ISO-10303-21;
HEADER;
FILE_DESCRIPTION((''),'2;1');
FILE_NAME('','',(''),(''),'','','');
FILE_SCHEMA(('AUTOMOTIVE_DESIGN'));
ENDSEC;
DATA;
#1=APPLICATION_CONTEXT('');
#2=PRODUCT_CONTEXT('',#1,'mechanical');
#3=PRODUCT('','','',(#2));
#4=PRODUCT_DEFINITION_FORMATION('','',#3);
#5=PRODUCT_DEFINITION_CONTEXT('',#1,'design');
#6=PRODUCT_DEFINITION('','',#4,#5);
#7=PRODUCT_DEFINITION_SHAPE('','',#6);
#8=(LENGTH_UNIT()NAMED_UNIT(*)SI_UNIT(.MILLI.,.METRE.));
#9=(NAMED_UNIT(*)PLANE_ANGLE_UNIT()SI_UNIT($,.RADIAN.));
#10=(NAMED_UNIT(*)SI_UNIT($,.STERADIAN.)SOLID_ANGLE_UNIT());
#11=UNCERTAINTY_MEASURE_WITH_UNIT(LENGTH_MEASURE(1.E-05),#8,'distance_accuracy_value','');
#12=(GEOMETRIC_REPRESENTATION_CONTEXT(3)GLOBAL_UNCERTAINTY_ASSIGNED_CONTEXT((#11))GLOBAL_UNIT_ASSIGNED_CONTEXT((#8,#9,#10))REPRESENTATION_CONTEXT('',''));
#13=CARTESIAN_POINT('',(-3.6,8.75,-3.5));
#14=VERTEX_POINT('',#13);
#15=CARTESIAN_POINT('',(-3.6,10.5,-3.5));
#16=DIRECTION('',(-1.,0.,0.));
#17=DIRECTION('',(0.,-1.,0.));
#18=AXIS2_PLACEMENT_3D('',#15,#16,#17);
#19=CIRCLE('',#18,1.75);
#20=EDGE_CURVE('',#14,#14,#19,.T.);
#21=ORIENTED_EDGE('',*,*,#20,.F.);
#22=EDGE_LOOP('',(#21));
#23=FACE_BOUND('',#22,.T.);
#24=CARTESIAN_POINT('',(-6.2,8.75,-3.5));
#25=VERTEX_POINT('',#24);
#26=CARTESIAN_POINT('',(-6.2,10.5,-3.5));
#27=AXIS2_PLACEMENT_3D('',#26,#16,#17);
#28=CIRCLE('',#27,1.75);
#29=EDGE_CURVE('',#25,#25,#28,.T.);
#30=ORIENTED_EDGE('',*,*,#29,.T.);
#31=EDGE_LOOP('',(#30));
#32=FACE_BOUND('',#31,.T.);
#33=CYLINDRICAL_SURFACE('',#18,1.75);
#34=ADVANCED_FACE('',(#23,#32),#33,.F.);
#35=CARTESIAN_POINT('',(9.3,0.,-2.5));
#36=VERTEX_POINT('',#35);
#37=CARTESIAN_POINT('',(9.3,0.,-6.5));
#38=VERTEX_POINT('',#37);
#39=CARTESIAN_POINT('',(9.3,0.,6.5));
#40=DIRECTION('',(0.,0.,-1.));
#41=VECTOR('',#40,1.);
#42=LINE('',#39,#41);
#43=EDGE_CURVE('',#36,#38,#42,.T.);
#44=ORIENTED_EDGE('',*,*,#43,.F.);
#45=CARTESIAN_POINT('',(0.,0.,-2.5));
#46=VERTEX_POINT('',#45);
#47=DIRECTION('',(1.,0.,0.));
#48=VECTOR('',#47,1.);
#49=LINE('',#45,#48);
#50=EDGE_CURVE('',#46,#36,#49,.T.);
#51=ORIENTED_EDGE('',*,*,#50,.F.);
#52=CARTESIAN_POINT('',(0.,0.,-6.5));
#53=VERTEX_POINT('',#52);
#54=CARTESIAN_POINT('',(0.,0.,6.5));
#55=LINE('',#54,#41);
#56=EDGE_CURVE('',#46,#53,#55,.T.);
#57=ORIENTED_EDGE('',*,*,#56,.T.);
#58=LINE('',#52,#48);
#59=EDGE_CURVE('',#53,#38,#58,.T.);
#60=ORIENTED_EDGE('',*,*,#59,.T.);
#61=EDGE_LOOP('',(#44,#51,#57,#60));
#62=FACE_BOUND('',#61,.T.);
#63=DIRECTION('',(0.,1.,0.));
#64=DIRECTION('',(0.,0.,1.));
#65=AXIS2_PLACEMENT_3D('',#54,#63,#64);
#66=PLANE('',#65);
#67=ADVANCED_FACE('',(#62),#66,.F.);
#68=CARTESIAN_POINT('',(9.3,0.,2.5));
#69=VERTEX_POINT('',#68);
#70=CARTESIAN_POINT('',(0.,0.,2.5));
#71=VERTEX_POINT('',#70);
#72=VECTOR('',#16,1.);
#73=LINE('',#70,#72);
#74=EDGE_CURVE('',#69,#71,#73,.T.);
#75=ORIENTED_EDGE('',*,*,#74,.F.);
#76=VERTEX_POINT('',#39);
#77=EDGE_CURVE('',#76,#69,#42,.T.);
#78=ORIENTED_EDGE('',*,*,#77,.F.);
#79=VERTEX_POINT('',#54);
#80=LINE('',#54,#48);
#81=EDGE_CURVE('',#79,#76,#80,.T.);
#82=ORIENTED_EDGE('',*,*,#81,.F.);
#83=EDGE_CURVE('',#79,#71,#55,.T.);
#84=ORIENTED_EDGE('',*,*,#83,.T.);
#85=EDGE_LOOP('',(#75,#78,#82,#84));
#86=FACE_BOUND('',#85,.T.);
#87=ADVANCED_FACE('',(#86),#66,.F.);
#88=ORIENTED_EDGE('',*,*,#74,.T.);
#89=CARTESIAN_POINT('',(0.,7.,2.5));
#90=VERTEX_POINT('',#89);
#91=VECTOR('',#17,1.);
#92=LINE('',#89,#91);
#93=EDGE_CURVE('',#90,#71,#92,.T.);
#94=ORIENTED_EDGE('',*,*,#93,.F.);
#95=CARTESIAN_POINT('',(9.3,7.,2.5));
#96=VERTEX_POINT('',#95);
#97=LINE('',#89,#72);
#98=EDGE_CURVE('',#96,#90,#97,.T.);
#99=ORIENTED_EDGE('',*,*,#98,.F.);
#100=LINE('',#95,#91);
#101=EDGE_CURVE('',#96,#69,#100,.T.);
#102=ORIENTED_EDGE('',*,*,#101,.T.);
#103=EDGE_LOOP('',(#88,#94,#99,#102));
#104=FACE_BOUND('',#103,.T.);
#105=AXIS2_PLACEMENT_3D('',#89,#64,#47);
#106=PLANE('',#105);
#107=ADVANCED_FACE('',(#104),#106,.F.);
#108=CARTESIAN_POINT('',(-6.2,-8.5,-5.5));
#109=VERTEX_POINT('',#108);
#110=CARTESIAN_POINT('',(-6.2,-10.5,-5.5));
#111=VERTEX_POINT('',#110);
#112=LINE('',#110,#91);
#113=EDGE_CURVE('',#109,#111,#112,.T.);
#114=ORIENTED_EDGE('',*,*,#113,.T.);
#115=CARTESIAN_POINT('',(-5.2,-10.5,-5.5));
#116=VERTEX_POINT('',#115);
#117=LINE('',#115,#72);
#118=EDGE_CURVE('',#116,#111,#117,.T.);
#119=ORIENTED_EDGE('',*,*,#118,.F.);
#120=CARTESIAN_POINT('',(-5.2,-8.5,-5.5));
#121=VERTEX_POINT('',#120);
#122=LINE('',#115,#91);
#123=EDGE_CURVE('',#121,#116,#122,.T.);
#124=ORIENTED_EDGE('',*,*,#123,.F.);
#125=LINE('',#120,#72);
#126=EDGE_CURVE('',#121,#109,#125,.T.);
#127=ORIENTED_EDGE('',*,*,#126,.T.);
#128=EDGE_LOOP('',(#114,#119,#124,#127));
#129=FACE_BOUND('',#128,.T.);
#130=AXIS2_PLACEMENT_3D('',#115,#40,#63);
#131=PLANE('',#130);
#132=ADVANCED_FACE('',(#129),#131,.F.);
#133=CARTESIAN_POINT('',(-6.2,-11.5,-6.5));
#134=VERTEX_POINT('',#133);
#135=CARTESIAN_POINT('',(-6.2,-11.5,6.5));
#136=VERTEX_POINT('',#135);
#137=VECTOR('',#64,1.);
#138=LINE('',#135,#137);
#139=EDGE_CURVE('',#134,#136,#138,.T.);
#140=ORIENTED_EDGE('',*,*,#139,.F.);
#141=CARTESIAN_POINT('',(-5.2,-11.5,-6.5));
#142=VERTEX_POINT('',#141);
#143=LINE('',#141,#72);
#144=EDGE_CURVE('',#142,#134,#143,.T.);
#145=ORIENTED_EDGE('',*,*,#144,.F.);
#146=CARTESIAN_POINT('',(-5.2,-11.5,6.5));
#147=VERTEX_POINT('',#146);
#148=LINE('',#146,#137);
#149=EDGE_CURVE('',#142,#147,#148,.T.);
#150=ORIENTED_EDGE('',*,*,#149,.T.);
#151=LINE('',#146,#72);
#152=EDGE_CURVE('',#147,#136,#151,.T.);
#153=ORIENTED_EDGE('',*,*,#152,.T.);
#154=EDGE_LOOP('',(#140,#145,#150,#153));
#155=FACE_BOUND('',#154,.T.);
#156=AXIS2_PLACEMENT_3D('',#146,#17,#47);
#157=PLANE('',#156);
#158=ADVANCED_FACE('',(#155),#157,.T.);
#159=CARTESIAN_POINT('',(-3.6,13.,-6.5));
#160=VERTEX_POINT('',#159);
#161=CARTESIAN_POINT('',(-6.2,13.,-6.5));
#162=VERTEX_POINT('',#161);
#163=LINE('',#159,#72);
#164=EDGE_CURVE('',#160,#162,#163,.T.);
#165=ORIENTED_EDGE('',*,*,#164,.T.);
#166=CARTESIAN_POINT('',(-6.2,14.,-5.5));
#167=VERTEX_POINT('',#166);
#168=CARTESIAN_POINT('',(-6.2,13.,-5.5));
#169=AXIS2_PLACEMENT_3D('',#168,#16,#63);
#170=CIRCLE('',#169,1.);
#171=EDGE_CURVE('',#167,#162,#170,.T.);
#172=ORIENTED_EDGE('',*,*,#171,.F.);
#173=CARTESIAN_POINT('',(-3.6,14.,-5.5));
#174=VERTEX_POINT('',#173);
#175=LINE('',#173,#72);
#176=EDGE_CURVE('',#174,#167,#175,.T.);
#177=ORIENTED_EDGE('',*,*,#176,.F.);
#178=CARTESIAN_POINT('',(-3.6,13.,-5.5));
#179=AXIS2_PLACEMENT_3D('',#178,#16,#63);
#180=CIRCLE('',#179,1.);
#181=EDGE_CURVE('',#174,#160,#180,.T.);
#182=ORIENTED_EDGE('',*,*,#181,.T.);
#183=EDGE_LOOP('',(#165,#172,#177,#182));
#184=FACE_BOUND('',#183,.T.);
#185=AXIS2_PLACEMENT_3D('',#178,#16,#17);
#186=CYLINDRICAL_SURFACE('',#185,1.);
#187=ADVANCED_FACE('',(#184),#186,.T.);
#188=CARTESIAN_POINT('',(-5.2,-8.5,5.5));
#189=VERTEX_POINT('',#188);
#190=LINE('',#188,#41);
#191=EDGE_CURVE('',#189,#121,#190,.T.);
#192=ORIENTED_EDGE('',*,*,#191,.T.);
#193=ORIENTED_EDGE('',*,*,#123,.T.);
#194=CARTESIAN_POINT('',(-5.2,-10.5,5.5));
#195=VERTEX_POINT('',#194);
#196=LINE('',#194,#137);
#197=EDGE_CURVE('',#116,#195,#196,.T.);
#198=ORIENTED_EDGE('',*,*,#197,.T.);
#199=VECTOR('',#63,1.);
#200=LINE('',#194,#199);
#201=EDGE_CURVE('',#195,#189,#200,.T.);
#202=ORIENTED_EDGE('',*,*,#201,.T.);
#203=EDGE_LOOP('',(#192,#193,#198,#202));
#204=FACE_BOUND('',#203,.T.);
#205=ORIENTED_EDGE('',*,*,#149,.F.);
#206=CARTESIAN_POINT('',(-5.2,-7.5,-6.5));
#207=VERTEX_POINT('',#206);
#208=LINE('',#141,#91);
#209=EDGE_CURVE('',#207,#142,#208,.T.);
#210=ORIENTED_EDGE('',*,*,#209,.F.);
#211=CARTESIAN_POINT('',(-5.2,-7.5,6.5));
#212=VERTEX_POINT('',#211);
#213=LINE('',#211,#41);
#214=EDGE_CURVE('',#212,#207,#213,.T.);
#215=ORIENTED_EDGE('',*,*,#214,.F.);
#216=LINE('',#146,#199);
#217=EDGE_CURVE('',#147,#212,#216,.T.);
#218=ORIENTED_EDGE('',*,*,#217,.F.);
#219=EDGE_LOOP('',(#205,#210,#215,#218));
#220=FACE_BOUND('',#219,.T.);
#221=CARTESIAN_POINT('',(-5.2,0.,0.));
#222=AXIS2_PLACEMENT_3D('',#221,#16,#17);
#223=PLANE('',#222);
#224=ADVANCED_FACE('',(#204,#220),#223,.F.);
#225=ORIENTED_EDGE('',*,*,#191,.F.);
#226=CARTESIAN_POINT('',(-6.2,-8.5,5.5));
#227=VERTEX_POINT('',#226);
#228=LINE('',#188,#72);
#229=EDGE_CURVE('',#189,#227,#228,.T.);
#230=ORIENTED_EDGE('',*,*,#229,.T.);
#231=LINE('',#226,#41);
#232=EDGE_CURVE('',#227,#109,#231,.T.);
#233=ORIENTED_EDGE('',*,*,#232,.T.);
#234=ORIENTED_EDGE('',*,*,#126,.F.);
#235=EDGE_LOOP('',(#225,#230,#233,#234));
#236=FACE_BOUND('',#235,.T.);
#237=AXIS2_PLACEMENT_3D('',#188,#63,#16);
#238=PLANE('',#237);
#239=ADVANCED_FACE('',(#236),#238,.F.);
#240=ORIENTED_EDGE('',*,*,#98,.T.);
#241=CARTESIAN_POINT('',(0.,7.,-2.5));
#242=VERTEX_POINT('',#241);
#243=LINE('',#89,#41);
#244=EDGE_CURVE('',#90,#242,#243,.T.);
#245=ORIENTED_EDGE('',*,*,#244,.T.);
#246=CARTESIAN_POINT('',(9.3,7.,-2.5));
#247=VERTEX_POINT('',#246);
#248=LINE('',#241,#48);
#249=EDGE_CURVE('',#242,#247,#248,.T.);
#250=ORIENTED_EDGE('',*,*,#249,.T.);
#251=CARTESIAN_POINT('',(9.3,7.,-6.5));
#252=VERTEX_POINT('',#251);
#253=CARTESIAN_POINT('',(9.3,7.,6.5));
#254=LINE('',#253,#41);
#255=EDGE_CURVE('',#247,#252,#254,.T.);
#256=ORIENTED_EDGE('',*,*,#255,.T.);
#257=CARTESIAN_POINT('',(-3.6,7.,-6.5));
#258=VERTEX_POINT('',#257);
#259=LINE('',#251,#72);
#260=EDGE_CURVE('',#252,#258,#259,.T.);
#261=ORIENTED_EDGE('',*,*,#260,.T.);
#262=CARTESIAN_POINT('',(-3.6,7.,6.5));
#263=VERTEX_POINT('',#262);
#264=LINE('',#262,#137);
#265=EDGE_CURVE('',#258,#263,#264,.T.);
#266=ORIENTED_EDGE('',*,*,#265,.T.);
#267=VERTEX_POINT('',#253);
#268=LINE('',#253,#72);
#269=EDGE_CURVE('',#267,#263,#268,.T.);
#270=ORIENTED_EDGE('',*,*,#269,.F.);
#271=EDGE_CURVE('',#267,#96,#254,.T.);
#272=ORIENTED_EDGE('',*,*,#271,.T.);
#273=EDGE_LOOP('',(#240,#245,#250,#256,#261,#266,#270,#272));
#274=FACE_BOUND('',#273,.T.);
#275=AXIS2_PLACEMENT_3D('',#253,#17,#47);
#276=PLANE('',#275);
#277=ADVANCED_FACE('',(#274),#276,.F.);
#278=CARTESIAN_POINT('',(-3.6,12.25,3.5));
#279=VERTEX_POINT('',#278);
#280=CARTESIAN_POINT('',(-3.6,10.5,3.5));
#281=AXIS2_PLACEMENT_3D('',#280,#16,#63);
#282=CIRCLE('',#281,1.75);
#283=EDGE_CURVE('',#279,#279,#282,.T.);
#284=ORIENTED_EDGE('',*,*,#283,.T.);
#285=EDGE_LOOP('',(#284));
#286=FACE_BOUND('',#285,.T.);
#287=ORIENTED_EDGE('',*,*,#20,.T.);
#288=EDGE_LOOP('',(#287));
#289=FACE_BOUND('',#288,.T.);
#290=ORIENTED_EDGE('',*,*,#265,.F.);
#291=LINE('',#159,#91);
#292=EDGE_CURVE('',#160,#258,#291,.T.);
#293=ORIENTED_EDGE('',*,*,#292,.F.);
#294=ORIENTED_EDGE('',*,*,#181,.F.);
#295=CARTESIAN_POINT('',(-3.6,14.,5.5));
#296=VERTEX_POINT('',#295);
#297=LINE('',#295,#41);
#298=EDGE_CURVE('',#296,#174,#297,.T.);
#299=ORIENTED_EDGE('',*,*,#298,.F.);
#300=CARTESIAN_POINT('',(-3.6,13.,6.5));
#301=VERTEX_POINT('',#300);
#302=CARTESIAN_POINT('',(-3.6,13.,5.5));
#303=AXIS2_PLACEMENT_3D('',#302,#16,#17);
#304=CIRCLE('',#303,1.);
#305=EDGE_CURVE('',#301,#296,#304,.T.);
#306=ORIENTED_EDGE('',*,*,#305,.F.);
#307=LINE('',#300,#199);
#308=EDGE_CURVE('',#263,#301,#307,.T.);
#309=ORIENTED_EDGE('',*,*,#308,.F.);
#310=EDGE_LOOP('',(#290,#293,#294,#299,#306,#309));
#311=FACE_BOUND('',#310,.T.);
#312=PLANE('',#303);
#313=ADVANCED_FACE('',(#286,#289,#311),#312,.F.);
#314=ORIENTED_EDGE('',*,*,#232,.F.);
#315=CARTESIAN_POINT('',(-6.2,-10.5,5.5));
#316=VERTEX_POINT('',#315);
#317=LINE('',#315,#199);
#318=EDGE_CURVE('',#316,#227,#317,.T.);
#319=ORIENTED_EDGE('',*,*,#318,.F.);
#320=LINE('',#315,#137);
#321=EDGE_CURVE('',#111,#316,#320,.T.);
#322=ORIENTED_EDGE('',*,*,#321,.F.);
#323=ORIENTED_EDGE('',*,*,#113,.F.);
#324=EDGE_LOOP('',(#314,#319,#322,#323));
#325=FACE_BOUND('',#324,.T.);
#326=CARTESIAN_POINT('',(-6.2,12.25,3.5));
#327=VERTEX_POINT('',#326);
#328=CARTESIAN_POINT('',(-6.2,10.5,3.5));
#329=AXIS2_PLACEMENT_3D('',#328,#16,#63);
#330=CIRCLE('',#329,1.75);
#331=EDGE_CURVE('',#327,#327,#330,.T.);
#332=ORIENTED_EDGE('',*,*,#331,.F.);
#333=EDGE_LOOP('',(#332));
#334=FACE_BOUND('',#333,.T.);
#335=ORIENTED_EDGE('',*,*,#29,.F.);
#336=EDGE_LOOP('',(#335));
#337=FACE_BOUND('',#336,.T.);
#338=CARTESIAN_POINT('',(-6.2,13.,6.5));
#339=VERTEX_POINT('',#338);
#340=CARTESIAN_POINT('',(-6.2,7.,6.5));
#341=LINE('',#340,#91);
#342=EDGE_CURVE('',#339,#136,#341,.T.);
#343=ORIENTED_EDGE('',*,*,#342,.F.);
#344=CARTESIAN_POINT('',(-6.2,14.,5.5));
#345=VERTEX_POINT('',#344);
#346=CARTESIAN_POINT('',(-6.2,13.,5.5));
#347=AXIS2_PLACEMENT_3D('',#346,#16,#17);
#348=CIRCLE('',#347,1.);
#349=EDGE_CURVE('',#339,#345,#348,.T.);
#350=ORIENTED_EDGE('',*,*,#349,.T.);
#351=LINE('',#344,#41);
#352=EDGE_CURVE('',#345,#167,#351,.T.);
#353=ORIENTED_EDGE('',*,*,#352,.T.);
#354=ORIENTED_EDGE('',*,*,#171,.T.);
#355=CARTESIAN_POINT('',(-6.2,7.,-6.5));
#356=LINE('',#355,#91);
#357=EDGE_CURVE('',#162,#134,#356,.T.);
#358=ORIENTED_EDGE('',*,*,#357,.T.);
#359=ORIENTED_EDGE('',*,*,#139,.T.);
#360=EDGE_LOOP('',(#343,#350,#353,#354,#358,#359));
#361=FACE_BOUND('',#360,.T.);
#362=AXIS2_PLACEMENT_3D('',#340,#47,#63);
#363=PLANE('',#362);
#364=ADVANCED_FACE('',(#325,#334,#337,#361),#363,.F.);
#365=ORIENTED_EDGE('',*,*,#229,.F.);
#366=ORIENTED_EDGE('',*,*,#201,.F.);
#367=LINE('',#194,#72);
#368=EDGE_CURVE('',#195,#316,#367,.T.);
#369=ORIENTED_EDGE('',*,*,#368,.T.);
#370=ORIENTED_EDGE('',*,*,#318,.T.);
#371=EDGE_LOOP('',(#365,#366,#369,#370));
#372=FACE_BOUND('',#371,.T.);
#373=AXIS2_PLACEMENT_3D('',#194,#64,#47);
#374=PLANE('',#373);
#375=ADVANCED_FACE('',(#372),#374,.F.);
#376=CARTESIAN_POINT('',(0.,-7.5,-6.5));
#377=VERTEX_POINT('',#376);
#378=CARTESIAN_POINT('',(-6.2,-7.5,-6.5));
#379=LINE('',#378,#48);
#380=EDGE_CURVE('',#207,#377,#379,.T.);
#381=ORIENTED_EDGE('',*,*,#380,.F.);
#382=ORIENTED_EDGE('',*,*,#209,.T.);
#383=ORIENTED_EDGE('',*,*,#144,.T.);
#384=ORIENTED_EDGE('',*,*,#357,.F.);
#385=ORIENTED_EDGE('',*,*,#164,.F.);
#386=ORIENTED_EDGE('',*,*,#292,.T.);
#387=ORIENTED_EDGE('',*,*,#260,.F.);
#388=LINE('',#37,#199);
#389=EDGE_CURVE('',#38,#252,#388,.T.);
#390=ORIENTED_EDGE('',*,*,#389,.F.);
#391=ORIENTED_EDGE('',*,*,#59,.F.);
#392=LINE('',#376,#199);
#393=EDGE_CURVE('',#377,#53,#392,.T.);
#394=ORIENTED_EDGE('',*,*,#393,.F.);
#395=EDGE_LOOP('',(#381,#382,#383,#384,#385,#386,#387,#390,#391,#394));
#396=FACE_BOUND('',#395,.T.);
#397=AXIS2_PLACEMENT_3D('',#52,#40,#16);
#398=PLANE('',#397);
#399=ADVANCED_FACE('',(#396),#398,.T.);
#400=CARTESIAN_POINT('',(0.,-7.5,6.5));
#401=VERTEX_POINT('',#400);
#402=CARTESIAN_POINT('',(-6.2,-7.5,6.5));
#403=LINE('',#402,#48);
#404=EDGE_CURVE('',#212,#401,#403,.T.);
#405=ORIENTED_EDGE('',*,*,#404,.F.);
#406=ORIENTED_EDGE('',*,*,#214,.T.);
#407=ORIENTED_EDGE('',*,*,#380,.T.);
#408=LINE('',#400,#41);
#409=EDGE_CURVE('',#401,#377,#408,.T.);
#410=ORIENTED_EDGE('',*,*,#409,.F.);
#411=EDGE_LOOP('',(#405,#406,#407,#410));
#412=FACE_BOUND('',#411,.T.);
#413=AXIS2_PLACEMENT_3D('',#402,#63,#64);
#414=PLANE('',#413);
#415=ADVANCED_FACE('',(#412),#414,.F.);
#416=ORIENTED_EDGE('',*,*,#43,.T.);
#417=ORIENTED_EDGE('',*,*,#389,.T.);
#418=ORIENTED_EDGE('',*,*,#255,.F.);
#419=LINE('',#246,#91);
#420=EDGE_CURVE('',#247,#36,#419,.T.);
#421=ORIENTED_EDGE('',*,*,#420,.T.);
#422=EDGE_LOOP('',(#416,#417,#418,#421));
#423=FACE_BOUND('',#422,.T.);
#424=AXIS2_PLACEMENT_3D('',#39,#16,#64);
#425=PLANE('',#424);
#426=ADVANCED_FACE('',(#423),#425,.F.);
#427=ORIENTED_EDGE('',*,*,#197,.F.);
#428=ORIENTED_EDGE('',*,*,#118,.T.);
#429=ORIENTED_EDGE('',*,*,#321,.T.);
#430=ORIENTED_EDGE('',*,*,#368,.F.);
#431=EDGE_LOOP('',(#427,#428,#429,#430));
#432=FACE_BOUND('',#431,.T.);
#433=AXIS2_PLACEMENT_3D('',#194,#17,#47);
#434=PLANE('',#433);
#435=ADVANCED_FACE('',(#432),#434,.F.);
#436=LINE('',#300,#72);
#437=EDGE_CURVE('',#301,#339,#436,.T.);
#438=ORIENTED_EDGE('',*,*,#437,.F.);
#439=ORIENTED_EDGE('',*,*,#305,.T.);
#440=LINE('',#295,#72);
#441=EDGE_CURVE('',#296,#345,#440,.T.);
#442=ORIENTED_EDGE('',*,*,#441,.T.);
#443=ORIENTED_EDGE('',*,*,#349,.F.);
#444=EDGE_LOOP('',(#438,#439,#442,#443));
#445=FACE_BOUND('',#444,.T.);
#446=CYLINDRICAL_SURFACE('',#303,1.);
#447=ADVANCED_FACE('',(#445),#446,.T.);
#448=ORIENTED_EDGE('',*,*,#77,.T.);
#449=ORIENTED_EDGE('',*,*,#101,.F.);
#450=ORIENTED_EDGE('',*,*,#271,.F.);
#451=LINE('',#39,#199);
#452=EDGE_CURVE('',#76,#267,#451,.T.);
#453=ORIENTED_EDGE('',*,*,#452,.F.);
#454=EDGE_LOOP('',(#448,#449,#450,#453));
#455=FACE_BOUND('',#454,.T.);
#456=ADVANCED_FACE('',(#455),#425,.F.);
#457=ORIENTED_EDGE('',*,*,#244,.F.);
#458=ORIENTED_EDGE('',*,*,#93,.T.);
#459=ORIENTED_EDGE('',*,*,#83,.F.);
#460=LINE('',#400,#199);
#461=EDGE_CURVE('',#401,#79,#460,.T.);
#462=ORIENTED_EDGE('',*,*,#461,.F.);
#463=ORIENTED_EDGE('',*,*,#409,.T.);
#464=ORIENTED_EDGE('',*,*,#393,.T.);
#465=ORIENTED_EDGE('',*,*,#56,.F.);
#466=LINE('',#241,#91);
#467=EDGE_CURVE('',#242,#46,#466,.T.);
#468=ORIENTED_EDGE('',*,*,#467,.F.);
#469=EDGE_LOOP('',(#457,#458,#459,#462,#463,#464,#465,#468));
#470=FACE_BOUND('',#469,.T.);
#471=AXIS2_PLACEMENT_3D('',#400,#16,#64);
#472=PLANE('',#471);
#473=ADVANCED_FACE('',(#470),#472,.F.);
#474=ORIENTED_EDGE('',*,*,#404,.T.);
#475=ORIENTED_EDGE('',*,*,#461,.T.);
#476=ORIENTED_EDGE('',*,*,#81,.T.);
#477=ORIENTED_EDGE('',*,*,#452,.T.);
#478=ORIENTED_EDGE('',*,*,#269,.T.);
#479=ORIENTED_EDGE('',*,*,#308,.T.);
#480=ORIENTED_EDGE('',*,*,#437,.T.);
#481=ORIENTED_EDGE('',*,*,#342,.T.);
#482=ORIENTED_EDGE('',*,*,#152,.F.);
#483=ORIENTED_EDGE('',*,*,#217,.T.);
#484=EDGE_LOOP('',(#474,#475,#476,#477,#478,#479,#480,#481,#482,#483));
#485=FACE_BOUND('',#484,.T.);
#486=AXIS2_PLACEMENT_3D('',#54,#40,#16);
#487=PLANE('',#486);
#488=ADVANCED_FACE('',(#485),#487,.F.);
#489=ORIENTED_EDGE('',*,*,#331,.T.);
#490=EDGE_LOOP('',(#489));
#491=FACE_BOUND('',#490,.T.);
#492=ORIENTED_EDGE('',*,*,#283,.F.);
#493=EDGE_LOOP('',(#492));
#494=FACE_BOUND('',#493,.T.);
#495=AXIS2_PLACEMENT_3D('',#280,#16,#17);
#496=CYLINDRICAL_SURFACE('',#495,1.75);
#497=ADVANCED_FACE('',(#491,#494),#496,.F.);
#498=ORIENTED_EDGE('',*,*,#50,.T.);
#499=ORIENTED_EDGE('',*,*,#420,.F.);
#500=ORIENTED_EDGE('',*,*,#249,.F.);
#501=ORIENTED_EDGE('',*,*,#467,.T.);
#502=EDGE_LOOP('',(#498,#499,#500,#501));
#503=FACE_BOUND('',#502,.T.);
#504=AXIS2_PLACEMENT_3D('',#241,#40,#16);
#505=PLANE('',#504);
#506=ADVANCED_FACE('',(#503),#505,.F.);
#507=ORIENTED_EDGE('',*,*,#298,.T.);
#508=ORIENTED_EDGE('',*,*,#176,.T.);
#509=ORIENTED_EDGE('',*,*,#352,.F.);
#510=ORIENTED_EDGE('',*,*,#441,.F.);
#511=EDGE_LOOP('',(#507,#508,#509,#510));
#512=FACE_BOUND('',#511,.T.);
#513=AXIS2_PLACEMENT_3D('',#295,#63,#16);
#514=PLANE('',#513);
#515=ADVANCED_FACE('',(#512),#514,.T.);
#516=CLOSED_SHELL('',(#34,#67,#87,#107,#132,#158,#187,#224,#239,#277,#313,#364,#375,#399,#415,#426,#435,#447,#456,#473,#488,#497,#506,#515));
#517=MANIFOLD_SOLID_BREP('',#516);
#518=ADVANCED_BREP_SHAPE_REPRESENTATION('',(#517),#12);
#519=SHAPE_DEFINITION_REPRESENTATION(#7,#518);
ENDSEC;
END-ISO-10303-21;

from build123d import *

# Parameters (mm, degrees)
EXTRUDE_1_DEPTH     = 6.5
SKETCH_2_W          = 9.3
SKETCH_2_H          = 5
CUT_EXTRUDE_1_DEPTH = 14.601102896
SKETCH_3_R          = 1.75
EXTRUDE_2_DEPTH     = 2.6
SKETCH_4_W          = 13
SKETCH_4_H          = 4
SKETCH_4_W_2        = 11
SKETCH_4_H_2        = 2
EXTRUDE_3_DEPTH     = 1


with BuildPart() as part:
    # 草图1 → 凸台-拉伸1 (new, symmetric)
    with BuildSketch(Plane.XY):
        Polygon((0, 0), (9.3, 0), (9.3, 7), (-6.2, 7), (-6.2, -7.5), (0, -7.5), align=None)
    extrude(amount=EXTRUDE_1_DEPTH, both=True)

    # 草图2 → 切除-拉伸1 (cut, through all)
    with BuildSketch(Plane.XZ):
        with Locations((4.65, 0)):
            Rectangle(SKETCH_2_W, SKETCH_2_H)
    extrude(amount=-CUT_EXTRUDE_1_DEPTH, mode=Mode.SUBTRACT)

    # 草图3 → 凸台-拉伸2 (add)
    with BuildSketch(Plane.ZY.offset(6.2)):
        with BuildLine():
            Line((5.5, 14), (-5.5, 14))
            ThreePointArc((-5.5, 14), (-6.207106781, 13.707106781), (-6.5, 13))
            Line((-6.5, 13), (-6.5, 7))
            Line((-6.5, 7), (6.5, 7))
            Line((6.5, 7), (6.5, 13))
            ThreePointArc((6.5, 13), (6.207106781, 13.707106781), (5.5, 14))
        make_face()
        with Locations(Location((-3.5, 10.5, 0), (0, 0, 270))):
            Circle(SKETCH_3_R, mode=Mode.SUBTRACT)
        with Locations(Location((3.5, 10.5, 0), (0, 0, 90))):
            Circle(SKETCH_3_R, mode=Mode.SUBTRACT)
    extrude(amount=-EXTRUDE_2_DEPTH)

    # 草图4 → 凸台-拉伸3 (add)
    with BuildSketch(Plane.ZY.offset(6.2)):
        with Locations((0, -9.5)):
            Rectangle(SKETCH_4_W, SKETCH_4_H)
        with Locations((0, -9.5)):
            Rectangle(SKETCH_4_W_2, SKETCH_4_H_2, mode=Mode.SUBTRACT)
    extrude(amount=-EXTRUDE_3_DEPTH)


solid = part.part
